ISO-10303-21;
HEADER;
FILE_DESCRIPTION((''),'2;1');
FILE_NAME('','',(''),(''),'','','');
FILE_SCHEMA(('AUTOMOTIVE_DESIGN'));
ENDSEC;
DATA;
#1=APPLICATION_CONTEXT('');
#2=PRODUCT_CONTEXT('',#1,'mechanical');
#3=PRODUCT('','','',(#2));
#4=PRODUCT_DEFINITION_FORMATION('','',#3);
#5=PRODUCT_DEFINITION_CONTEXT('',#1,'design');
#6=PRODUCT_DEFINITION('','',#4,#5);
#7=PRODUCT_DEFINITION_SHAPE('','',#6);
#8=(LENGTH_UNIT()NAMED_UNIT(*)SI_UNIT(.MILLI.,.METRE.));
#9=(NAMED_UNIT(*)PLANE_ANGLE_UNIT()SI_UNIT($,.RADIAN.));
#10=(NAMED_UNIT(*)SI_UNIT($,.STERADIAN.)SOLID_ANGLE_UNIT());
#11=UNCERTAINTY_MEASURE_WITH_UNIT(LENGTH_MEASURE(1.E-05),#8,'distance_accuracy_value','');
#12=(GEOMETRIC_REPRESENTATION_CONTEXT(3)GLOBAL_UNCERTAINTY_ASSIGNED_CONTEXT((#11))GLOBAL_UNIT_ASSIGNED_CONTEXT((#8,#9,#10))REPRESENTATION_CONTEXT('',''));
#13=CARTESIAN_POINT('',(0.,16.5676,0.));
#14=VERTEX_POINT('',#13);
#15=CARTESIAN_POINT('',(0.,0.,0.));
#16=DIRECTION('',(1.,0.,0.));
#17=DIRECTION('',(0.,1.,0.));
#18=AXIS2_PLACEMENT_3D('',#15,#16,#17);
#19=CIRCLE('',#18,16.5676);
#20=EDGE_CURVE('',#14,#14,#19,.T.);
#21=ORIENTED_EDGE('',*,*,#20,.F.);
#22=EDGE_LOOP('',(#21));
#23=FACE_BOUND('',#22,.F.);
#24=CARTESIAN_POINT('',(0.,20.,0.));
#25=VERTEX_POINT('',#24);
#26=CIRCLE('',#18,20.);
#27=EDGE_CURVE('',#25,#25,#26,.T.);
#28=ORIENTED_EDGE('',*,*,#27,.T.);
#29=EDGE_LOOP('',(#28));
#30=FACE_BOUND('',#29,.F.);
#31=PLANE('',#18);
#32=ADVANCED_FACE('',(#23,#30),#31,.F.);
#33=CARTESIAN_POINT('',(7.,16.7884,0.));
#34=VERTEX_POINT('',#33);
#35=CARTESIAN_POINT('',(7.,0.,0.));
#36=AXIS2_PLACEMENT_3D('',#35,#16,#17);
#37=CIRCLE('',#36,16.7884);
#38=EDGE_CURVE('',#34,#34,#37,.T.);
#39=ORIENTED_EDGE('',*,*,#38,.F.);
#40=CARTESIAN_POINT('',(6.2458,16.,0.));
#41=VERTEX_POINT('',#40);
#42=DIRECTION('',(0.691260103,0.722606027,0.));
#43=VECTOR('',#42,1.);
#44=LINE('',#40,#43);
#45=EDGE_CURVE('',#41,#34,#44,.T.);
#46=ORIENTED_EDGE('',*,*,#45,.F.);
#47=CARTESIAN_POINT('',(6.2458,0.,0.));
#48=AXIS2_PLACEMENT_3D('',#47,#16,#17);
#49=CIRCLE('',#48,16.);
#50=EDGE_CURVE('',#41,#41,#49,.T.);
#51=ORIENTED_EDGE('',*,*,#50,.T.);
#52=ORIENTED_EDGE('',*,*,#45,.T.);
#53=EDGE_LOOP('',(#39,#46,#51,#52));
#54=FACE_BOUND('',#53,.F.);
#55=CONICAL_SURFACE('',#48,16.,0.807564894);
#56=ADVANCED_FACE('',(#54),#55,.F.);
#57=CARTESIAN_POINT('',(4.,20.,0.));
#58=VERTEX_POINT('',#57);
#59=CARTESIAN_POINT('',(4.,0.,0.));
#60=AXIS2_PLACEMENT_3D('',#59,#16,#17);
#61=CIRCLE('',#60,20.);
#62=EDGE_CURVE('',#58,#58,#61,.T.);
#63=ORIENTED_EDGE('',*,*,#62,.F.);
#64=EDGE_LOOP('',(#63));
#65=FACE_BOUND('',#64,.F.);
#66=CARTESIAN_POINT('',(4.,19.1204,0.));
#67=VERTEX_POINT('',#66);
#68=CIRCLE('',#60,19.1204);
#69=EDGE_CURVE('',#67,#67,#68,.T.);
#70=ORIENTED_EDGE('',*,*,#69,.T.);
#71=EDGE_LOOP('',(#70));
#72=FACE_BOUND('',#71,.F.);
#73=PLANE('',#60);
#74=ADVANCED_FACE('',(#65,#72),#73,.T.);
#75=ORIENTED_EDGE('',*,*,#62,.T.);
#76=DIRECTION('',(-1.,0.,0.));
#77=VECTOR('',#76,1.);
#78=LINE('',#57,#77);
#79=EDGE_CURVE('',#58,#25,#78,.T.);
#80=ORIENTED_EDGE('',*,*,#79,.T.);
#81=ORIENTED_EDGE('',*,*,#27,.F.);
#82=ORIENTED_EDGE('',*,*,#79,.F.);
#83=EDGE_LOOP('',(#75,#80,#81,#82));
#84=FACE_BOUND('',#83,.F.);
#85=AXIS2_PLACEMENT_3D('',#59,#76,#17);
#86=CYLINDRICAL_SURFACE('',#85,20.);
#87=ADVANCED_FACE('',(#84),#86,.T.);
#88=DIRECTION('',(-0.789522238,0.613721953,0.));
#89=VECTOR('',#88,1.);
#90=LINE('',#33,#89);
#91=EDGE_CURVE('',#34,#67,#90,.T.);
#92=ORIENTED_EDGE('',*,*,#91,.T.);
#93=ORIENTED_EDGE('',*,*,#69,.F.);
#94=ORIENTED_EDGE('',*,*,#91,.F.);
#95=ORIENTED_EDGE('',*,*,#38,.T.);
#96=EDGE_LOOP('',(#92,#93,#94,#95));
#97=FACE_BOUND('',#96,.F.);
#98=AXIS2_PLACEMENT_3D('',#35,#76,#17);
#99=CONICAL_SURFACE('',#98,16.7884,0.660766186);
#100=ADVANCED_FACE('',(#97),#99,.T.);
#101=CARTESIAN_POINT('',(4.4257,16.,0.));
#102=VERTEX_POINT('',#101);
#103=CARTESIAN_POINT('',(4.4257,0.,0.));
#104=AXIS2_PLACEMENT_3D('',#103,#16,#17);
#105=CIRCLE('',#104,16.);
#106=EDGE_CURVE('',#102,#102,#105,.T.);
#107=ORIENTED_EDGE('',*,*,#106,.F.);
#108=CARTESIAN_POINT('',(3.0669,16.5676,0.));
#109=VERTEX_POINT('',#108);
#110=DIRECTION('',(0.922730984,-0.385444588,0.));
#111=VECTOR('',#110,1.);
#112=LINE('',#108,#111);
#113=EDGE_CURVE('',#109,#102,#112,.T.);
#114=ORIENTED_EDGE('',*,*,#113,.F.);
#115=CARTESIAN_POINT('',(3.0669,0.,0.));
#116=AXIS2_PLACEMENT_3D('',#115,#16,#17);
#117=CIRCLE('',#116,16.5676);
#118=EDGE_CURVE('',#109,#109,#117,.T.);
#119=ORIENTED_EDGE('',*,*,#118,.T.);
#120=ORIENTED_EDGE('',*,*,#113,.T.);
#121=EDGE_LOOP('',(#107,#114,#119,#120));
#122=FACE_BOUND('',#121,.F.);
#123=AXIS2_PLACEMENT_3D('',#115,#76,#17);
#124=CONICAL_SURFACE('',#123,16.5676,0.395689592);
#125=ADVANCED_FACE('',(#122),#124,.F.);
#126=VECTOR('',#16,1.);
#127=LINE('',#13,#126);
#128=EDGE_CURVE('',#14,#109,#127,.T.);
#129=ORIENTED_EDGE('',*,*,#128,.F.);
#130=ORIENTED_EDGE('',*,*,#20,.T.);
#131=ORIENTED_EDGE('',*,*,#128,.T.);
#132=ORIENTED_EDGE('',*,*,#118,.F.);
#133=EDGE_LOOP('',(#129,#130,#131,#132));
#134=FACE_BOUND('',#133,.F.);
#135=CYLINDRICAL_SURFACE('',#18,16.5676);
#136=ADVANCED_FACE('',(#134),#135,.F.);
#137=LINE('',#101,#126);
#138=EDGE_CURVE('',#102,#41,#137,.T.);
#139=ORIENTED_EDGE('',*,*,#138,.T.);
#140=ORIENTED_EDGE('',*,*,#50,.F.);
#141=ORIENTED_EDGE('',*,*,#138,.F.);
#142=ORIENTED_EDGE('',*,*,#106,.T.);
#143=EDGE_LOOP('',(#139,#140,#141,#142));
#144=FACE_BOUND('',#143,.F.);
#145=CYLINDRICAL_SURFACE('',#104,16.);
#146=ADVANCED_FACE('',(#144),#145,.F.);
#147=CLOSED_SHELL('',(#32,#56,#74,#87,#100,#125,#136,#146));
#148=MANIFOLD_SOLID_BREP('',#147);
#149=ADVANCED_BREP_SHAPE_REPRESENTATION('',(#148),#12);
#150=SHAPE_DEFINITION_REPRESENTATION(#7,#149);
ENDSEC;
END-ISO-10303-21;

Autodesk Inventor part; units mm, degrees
ref_plane "YZ Plane" through (0, 0, 0) normal (1, 0, 0) x (0, 1, 0)
ref_plane "XZ Plane" through (0, 0, 0) normal (0, 1, 0) x (-1, 0, 0)
ref_plane "XY Plane" through (0, 0, 0) normal (0, 0, 1) x (1, 0, 0)
sketch "Sketch1" plane through (0, 0, 0) normal (0, 0, 1) x (1, 0, 0)
  line L0 (4, 19.1204) -> (4, 20)
  line L1 (4, 20) -> (0, 20)
  line L2 (0, 20) -> (0, 16.5676)
  line L3 (0, 16.5676) -> (3.0669, 16.5676)
  line L4 (3.0669, 16.5676) -> (4.4257, 16)
  line L5 (4.4257, 16) -> (6.2458, 16)
  line L6 (6.2458, 16) -> (7, 16.7884)
  line L7 (7, 16.7884) -> (4, 19.1204)
  line L8 (0, 0) -> (20.4487, 0)
  dimension "d0" = 84.13
  dimension "d1" = 133.729
  dimension "d2" = 111.058
  dimension "d3" = 4
  dimension "d4" = 0.5675
  dimension "d5" = 4
  dimension "d6" = 0.7884
  dimension "d7" = 3
  dimension "d8" = 1.7197
  dimension "d9" = 32
revolve "Revolution1" add sketch "Sketch1" angle 360 about axis through (0, 0, 0) along (1, 0, 0)
properties part number "3136 7009 55" material "Nylon 6/6"
